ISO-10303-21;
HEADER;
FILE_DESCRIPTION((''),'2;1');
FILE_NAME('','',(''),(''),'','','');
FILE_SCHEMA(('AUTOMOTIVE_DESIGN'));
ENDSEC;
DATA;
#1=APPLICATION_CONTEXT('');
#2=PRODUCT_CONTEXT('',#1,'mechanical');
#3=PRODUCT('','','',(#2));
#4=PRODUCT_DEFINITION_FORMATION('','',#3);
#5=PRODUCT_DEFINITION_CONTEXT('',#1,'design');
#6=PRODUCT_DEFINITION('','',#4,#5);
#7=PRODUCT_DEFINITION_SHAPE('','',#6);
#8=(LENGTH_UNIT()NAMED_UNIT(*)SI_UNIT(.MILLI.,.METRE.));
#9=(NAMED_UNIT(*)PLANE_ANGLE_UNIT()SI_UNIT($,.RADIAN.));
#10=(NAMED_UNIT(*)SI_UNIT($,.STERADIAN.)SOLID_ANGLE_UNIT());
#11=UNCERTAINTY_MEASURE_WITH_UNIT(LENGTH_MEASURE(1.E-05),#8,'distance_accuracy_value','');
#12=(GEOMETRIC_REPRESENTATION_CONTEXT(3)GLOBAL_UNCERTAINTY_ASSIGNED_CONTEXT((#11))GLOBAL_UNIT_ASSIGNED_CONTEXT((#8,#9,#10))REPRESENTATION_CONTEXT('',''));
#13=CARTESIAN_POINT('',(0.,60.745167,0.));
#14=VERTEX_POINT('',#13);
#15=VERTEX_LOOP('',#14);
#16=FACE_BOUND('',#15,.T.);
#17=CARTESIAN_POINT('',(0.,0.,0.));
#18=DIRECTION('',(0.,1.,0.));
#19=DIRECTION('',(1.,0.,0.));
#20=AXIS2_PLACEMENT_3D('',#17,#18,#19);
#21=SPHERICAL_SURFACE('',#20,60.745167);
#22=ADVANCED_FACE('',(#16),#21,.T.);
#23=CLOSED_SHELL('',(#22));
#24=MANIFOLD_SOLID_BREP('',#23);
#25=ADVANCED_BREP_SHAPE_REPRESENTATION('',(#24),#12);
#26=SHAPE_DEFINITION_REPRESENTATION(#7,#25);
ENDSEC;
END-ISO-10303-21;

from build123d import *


with BuildPart() as part:
    # Sketch1 → Revolve2 (revolve)
    with BuildSketch(Plane.XY):
        with BuildLine():
            Line((0, 60.745166858), (0, -60.745166858))
            ThreePointArc((0, -60.745166858), (-60.745166858, 0), (0, 60.745166858))
        make_face()
    revolve(axis=Axis((0, 60.745166858, 0), (0, -1, 0)))


solid = part.part
